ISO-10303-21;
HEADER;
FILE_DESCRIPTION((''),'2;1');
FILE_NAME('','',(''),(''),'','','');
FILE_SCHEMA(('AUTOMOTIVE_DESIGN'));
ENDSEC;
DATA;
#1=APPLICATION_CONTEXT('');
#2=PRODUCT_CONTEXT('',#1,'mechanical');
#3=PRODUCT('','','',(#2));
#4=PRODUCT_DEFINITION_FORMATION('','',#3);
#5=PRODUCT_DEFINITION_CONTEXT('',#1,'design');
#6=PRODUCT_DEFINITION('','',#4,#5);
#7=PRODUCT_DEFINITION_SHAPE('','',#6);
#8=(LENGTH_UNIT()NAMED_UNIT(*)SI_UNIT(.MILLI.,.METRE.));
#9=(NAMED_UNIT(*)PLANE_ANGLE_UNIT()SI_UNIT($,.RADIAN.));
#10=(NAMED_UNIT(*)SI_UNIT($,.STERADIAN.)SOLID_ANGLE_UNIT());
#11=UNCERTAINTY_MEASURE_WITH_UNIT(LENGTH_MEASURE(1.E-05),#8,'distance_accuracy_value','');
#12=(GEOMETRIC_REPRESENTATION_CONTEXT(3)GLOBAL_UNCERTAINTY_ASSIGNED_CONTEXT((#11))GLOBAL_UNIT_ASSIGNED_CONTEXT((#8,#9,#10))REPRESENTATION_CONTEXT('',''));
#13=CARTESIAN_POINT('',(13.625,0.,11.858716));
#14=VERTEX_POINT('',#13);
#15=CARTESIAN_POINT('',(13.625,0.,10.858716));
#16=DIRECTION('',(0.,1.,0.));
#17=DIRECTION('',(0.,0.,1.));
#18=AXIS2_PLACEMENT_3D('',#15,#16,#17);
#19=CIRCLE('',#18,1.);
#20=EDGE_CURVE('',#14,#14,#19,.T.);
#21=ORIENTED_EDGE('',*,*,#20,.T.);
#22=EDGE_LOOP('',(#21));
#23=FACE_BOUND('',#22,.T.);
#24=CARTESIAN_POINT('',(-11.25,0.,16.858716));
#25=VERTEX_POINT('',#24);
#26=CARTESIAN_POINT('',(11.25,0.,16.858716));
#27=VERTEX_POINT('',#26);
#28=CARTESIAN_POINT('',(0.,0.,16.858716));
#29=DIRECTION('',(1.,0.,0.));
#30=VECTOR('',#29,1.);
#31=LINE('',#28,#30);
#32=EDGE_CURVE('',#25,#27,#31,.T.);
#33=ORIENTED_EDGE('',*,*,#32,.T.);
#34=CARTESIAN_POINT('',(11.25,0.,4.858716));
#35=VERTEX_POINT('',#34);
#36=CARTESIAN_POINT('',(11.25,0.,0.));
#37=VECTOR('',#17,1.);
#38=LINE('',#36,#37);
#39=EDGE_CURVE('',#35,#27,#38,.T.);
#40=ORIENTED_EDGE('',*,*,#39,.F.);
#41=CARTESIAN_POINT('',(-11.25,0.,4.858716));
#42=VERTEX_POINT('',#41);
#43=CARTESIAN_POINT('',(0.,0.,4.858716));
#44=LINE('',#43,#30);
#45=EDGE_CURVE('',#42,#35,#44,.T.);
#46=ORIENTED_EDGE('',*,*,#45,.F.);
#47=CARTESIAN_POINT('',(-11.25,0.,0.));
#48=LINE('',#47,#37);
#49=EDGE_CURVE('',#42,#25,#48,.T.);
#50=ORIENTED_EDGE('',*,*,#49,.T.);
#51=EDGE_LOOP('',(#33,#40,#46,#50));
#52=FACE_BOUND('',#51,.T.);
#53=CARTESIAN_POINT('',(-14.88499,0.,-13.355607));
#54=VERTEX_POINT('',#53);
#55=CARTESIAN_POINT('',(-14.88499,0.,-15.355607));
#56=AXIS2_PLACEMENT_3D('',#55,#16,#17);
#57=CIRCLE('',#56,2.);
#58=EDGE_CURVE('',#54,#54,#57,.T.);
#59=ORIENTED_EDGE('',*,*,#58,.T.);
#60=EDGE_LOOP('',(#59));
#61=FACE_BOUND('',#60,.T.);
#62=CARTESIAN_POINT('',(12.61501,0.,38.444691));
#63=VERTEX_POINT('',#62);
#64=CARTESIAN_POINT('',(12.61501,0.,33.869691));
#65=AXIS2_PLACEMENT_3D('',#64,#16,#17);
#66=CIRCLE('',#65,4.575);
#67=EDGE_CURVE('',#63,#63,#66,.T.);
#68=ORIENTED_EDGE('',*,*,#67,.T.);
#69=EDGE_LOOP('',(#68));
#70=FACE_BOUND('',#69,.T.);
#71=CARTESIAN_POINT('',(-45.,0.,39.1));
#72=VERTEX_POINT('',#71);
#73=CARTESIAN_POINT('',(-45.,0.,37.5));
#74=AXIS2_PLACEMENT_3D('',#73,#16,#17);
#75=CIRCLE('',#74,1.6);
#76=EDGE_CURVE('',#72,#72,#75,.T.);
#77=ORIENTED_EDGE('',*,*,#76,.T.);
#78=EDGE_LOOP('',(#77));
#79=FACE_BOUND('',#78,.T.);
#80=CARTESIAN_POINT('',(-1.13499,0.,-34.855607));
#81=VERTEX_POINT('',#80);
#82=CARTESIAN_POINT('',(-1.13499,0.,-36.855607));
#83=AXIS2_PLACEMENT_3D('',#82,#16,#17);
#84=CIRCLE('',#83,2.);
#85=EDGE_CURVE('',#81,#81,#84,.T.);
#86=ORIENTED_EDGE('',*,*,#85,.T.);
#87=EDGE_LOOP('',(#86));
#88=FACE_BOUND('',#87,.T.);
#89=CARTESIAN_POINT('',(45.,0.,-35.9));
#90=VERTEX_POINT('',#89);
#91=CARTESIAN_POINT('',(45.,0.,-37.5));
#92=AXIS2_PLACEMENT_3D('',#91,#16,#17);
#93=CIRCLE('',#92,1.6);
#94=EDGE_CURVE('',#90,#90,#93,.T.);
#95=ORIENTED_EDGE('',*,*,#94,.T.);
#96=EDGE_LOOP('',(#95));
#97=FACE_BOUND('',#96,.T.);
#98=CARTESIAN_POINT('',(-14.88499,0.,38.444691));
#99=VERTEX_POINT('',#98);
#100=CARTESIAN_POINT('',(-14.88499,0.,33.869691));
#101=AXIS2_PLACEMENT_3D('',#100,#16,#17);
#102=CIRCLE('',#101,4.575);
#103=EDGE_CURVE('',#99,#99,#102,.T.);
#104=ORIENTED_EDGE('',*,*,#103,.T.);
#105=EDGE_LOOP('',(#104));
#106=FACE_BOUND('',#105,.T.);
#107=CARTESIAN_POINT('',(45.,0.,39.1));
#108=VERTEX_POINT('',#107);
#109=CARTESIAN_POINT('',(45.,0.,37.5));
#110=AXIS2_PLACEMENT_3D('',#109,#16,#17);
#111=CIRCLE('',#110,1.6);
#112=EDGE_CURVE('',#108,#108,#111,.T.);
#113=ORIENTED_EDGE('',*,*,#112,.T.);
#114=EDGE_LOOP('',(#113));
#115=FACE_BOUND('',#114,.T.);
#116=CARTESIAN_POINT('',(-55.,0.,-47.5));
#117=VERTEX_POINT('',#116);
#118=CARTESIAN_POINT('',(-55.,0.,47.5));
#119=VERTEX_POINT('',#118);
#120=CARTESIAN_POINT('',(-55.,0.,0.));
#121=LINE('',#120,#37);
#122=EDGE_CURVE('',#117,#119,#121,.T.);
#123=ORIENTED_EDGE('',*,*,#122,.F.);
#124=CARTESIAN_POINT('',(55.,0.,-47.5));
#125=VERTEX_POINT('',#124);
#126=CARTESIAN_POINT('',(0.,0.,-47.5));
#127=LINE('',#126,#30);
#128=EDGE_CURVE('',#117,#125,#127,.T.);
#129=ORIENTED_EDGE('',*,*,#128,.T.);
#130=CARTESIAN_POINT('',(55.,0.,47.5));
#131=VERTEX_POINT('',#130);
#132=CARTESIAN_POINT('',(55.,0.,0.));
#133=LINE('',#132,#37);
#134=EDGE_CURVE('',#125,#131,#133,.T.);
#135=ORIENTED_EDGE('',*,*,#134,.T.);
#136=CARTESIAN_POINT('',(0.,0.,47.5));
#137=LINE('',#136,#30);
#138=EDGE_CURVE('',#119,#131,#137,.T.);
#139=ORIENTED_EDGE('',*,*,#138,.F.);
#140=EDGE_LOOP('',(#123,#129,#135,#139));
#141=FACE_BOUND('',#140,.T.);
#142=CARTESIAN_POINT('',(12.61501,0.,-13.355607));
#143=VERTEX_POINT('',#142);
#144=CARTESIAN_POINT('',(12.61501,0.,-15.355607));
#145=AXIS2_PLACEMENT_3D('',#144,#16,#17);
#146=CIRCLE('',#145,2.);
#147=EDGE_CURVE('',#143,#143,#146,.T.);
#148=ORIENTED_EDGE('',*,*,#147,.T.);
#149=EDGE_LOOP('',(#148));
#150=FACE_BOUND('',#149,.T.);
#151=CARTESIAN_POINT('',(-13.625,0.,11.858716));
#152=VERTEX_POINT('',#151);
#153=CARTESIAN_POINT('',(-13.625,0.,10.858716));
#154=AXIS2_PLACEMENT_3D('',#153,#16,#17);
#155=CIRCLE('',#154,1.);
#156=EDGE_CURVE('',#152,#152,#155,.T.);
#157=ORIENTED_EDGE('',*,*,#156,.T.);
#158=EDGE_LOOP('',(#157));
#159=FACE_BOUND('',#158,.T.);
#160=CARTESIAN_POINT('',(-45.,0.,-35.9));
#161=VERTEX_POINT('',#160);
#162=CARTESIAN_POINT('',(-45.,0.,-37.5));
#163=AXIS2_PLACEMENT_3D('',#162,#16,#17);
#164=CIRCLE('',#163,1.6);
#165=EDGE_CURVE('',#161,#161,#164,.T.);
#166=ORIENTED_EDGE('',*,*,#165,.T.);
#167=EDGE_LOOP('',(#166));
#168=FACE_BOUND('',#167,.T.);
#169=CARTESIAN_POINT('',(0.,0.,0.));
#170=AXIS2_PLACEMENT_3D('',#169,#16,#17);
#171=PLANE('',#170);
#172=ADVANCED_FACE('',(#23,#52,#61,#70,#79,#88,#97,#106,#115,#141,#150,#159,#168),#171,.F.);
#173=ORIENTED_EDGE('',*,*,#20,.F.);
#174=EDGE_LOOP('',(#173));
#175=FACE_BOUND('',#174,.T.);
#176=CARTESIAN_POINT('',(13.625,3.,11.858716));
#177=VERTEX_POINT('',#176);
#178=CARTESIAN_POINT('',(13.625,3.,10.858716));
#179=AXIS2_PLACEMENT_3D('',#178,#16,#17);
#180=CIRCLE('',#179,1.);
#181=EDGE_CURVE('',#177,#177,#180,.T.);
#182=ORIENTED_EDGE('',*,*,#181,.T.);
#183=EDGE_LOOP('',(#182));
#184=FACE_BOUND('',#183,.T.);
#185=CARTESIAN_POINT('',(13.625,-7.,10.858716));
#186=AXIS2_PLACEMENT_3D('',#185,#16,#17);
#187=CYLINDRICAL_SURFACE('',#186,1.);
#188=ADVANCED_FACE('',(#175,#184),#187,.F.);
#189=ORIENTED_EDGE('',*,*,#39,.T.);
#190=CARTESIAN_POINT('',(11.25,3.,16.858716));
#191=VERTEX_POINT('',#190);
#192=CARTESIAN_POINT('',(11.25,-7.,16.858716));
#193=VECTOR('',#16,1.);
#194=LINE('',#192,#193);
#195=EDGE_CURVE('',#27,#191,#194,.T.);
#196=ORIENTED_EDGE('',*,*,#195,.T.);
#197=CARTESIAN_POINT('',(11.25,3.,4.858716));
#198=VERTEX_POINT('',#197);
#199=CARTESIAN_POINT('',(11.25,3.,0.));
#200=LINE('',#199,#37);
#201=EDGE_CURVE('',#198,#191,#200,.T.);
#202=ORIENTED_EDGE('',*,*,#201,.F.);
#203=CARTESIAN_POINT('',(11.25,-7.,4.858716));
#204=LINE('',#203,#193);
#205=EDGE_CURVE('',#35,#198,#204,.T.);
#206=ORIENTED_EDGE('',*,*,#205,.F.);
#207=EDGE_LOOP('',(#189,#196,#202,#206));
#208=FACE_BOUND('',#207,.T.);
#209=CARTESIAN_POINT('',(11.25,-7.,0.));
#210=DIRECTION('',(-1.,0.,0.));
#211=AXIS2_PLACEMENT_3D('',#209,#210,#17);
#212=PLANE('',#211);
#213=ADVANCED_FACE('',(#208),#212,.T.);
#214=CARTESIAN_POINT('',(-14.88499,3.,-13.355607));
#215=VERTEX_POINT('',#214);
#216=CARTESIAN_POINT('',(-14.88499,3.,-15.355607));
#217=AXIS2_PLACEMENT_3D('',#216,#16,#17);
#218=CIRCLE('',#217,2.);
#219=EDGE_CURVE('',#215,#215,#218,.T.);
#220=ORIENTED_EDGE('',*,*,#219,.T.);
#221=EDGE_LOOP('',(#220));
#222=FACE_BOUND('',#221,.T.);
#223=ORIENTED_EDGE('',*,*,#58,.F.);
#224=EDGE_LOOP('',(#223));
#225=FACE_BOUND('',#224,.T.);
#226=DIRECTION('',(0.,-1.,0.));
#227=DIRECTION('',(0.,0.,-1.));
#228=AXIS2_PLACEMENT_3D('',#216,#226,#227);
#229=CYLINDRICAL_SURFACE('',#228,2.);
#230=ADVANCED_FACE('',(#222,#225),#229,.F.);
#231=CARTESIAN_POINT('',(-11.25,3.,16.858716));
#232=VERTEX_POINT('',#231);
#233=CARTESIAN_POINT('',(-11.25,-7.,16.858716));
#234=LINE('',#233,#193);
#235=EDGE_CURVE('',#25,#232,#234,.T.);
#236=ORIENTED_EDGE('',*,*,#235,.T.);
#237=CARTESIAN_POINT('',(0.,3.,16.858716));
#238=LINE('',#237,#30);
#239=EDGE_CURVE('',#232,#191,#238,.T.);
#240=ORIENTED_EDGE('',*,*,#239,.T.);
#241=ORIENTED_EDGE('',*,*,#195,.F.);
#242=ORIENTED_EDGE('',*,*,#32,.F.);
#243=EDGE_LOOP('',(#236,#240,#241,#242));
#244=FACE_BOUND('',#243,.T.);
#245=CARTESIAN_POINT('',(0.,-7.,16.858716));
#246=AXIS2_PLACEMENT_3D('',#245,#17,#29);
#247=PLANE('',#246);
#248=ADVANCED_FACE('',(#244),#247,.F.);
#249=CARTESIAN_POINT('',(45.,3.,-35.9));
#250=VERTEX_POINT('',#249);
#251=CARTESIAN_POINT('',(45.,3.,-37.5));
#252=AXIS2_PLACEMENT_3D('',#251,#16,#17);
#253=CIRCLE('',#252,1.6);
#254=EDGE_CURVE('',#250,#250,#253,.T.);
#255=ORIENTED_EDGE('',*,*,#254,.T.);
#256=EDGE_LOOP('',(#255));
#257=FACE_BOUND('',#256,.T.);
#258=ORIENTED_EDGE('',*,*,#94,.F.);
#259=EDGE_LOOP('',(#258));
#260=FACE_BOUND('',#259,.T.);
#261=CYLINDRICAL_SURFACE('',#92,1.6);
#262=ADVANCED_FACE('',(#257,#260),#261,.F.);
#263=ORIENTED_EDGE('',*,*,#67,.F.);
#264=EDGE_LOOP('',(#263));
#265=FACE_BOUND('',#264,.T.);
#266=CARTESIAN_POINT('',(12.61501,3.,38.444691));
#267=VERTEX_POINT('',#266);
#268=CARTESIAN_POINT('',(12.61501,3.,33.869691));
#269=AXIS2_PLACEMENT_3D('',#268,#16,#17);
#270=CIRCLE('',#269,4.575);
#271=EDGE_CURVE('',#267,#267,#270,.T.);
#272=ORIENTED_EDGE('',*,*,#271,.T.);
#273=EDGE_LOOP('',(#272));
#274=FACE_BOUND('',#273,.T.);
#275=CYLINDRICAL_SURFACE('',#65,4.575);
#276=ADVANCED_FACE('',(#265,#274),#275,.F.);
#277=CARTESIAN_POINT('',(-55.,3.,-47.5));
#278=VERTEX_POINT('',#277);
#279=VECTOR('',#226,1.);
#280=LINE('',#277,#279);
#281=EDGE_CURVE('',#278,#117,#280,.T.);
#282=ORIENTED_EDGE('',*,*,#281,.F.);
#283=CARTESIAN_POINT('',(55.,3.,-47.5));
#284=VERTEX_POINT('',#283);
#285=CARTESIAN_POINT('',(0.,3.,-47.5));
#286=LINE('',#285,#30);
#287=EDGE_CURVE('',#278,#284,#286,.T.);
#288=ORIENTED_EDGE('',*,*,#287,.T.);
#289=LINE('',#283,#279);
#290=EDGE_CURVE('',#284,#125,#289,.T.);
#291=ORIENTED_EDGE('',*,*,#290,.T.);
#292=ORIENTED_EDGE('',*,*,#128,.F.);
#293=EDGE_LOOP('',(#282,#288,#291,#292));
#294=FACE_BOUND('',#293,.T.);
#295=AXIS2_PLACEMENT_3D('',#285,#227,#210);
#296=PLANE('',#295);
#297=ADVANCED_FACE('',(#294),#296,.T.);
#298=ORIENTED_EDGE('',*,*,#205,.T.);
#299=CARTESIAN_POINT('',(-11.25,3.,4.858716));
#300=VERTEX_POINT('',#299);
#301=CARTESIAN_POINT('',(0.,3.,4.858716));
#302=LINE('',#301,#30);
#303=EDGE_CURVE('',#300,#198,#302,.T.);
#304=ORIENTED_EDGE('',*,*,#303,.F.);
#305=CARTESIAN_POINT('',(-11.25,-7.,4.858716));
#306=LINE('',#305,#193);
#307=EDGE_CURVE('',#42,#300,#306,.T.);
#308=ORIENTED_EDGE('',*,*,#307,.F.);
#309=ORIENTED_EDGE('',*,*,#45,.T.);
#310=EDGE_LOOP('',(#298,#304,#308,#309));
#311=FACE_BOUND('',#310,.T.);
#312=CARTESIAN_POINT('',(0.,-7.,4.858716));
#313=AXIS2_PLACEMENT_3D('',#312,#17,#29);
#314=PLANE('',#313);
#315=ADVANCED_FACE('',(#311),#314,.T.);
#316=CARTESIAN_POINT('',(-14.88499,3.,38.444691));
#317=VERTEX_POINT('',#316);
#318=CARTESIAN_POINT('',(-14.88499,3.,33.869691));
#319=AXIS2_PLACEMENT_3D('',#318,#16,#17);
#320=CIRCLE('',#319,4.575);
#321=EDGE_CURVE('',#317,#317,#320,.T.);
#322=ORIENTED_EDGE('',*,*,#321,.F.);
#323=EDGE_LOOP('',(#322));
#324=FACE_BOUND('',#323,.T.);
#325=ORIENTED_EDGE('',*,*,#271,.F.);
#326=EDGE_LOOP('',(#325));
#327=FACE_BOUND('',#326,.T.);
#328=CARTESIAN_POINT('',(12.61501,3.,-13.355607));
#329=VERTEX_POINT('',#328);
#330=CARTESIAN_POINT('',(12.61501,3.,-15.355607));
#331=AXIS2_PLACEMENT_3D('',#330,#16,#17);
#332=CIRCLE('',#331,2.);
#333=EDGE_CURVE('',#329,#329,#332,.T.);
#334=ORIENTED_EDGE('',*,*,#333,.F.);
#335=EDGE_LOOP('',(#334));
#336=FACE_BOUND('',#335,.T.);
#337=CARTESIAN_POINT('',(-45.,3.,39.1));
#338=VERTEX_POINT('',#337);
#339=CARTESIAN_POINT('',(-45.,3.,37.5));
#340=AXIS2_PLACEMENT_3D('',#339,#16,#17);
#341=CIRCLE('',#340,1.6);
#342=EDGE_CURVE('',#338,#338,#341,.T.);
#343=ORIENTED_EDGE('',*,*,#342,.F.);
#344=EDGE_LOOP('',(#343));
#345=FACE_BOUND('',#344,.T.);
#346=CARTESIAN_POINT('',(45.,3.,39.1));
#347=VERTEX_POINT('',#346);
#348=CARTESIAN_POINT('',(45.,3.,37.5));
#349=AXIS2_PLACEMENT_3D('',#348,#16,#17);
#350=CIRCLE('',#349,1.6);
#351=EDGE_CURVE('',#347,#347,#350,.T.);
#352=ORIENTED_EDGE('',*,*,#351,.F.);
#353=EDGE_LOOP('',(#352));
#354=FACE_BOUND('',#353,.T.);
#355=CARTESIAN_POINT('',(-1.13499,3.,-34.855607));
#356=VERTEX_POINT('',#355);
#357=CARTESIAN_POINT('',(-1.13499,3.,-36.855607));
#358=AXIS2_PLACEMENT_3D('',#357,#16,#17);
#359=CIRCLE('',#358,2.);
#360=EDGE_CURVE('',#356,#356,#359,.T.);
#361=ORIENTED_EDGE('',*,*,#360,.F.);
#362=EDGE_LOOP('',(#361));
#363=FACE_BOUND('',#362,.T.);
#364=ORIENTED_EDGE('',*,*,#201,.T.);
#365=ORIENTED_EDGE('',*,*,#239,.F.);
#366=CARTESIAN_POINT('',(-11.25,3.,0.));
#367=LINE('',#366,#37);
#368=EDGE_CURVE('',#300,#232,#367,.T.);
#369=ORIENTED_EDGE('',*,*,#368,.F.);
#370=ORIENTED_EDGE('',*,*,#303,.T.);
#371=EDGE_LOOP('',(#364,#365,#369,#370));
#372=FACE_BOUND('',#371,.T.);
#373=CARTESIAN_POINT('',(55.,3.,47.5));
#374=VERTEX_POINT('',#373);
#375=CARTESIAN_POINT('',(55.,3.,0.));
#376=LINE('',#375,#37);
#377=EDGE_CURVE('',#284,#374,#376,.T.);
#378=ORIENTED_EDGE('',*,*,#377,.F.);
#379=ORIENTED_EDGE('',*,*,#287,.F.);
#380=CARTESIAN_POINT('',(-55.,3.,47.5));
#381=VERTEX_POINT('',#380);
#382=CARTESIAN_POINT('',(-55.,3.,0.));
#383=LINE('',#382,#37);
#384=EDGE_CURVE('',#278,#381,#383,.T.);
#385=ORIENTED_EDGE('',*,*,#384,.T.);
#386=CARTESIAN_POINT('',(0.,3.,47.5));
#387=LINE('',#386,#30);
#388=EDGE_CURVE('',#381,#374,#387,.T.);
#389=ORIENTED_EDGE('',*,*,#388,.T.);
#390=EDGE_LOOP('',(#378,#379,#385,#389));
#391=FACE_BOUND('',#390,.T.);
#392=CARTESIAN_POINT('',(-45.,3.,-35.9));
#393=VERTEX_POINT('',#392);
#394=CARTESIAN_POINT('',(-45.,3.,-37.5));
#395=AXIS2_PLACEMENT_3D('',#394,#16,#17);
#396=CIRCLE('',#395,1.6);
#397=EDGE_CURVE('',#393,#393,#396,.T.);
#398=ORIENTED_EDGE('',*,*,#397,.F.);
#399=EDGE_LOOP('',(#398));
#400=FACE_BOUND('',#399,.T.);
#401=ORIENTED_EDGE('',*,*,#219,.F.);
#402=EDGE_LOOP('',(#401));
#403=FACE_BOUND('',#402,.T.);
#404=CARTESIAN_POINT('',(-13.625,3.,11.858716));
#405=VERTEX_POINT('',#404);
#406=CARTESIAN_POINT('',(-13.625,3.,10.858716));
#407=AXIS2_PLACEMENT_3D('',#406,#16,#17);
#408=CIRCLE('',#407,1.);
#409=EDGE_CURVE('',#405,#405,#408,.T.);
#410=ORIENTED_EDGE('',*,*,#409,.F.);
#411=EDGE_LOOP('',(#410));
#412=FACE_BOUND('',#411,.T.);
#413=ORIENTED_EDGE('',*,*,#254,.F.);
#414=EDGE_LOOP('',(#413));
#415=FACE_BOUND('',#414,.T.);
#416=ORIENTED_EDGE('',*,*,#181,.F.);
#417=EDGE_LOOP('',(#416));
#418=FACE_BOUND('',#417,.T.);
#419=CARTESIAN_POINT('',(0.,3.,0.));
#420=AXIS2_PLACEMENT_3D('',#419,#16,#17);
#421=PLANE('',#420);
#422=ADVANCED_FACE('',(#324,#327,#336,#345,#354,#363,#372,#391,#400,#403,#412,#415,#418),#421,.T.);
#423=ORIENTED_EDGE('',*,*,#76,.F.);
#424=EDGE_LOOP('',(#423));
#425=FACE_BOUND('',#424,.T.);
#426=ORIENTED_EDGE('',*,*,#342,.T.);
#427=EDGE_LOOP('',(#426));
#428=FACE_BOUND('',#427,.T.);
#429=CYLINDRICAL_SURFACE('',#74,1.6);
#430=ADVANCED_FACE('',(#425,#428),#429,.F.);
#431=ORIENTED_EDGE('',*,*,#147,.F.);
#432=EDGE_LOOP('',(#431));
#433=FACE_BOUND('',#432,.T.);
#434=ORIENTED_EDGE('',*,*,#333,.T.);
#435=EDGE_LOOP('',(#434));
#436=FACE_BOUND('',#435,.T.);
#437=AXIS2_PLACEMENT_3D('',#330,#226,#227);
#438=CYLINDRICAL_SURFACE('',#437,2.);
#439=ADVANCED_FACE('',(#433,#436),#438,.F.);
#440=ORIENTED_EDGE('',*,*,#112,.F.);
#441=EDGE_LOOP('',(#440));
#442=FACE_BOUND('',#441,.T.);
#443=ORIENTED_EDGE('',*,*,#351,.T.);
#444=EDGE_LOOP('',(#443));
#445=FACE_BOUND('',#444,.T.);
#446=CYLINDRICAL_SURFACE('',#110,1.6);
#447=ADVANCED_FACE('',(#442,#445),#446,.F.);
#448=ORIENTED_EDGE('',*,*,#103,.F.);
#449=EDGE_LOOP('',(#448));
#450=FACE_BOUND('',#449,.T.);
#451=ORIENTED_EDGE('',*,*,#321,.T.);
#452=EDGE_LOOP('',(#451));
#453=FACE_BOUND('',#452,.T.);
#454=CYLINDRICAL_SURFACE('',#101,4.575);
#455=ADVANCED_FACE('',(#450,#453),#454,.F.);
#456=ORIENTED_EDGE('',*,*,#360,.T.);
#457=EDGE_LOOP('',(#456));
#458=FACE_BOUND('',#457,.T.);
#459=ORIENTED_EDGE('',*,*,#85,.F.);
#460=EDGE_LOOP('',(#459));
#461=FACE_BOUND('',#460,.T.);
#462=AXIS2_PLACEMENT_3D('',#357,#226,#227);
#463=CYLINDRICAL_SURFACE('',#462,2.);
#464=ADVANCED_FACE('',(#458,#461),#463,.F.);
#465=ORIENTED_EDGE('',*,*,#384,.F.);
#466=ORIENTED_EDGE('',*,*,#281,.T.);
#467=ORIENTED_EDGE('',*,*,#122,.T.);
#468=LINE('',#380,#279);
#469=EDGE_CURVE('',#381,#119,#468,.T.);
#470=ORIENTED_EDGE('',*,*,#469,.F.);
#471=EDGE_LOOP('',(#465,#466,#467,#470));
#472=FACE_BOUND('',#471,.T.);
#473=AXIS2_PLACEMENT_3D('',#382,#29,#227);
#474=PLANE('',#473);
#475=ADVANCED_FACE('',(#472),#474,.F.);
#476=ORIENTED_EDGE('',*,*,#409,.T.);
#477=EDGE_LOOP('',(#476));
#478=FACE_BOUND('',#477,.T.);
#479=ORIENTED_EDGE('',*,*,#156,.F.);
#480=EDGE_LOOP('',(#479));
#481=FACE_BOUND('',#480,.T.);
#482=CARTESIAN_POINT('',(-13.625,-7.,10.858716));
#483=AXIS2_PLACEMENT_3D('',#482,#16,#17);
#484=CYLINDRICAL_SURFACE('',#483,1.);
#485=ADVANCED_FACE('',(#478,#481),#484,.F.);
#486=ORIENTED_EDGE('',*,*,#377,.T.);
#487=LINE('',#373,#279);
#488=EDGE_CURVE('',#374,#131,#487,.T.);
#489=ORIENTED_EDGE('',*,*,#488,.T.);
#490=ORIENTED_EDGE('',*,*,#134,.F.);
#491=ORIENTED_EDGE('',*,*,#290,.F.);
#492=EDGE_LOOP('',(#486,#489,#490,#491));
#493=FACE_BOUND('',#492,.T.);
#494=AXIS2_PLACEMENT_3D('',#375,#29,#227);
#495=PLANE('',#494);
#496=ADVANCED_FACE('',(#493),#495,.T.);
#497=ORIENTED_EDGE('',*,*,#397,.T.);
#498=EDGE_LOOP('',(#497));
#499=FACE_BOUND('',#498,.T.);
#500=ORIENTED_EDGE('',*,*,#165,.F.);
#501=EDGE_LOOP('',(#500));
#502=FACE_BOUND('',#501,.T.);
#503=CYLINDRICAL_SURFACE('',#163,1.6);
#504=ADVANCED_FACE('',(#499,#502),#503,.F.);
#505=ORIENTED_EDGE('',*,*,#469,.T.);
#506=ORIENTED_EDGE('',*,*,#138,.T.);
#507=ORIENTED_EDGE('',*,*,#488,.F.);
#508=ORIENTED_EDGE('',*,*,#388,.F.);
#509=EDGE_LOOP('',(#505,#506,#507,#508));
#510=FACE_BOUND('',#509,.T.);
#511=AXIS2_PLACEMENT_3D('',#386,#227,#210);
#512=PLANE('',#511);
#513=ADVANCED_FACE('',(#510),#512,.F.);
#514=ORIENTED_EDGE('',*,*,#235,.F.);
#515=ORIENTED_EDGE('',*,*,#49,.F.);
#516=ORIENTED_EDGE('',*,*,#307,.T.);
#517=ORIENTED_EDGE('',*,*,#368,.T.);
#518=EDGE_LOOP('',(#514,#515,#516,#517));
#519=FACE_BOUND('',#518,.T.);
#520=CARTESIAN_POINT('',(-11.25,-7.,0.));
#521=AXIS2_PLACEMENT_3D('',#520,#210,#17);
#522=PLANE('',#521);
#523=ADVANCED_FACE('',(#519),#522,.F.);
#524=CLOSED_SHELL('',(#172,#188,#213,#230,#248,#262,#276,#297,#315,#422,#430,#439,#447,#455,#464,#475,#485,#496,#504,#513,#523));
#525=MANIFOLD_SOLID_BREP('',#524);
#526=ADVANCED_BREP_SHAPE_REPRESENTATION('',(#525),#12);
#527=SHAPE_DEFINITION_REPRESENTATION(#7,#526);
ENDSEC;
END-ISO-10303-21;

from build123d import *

# Parameters (mm, degrees)
SKETCH1_W           = 110
SKETCH1_H           = 95
SKETCH1_R           = 2
BOSS_EXTRUDE1_DEPTH = 3
SKETCH2_R           = 1.6
CUT_EXTRUDE1_DEPTH  = 3
SKETCH4_R           = 4.575
CUT_EXTRUDE3_DEPTH  = 3
SKETCH5_R           = 1
SKETCH5_W           = 22.5
SKETCH5_H           = 12
CUT_EXTRUDE4_DEPTH  = 10


with BuildPart() as part:
    # Sketch1 → Boss-Extrude1 (new body)
    with BuildSketch(Plane(origin=(0, 0, 0), x_dir=(1, 0, 0), z_dir=(0, 1, 0))):
        Rectangle(SKETCH1_W, SKETCH1_H)
        with Locations((-1.134990048, 36.85560657)):
            Circle(SKETCH1_R, mode=Mode.SUBTRACT)
        with Locations((-14.884990048, 15.35560657)):
            Circle(SKETCH1_R, mode=Mode.SUBTRACT)
        with Locations((12.615009952, 15.35560657)):
            Circle(SKETCH1_R, mode=Mode.SUBTRACT)
    extrude(amount=BOSS_EXTRUDE1_DEPTH)

    # Sketch2 → Cut-Extrude1 (cut)
    with BuildSketch(Plane(origin=(0, 3, 0), x_dir=(1, 0, 0), z_dir=(0, 1, 0))):
        with Locations((-45, 37.5)):
            Circle(SKETCH2_R)
        with Locations((45, 37.5)):
            Circle(SKETCH2_R)
        with Locations((-45, -37.5)):
            Circle(SKETCH2_R)
        with Locations((45, -37.5)):
            Circle(SKETCH2_R)
    extrude(amount=-CUT_EXTRUDE1_DEPTH, mode=Mode.SUBTRACT)

    # Sketch4 → Cut-Extrude3 (cut)
    with BuildSketch(Plane(origin=(0, 3, 0), x_dir=(1, 0, 0), z_dir=(0, 1, 0))):
        with Locations((-14.884990048, -33.869690938)):
            Circle(SKETCH4_R)
        with Locations((12.615009952, -33.869690938)):
            Circle(SKETCH4_R)
    extrude(amount=-CUT_EXTRUDE3_DEPTH, mode=Mode.SUBTRACT)

    # Sketch5 → Cut-Extrude4 (cut)
    with BuildSketch(Plane(origin=(0, 3, 0), x_dir=(1, 0, 0), z_dir=(0, 1, 0))):
        with Locations((-13.625, -10.858715864)):
            Circle(SKETCH5_R)
        with Locations((13.625, -10.858715864)):
            Circle(SKETCH5_R)
        with Locations((0, -10.858715864)):
            Rectangle(SKETCH5_W, SKETCH5_H)
    extrude(amount=-CUT_EXTRUDE4_DEPTH, mode=Mode.SUBTRACT)


solid = part.part
